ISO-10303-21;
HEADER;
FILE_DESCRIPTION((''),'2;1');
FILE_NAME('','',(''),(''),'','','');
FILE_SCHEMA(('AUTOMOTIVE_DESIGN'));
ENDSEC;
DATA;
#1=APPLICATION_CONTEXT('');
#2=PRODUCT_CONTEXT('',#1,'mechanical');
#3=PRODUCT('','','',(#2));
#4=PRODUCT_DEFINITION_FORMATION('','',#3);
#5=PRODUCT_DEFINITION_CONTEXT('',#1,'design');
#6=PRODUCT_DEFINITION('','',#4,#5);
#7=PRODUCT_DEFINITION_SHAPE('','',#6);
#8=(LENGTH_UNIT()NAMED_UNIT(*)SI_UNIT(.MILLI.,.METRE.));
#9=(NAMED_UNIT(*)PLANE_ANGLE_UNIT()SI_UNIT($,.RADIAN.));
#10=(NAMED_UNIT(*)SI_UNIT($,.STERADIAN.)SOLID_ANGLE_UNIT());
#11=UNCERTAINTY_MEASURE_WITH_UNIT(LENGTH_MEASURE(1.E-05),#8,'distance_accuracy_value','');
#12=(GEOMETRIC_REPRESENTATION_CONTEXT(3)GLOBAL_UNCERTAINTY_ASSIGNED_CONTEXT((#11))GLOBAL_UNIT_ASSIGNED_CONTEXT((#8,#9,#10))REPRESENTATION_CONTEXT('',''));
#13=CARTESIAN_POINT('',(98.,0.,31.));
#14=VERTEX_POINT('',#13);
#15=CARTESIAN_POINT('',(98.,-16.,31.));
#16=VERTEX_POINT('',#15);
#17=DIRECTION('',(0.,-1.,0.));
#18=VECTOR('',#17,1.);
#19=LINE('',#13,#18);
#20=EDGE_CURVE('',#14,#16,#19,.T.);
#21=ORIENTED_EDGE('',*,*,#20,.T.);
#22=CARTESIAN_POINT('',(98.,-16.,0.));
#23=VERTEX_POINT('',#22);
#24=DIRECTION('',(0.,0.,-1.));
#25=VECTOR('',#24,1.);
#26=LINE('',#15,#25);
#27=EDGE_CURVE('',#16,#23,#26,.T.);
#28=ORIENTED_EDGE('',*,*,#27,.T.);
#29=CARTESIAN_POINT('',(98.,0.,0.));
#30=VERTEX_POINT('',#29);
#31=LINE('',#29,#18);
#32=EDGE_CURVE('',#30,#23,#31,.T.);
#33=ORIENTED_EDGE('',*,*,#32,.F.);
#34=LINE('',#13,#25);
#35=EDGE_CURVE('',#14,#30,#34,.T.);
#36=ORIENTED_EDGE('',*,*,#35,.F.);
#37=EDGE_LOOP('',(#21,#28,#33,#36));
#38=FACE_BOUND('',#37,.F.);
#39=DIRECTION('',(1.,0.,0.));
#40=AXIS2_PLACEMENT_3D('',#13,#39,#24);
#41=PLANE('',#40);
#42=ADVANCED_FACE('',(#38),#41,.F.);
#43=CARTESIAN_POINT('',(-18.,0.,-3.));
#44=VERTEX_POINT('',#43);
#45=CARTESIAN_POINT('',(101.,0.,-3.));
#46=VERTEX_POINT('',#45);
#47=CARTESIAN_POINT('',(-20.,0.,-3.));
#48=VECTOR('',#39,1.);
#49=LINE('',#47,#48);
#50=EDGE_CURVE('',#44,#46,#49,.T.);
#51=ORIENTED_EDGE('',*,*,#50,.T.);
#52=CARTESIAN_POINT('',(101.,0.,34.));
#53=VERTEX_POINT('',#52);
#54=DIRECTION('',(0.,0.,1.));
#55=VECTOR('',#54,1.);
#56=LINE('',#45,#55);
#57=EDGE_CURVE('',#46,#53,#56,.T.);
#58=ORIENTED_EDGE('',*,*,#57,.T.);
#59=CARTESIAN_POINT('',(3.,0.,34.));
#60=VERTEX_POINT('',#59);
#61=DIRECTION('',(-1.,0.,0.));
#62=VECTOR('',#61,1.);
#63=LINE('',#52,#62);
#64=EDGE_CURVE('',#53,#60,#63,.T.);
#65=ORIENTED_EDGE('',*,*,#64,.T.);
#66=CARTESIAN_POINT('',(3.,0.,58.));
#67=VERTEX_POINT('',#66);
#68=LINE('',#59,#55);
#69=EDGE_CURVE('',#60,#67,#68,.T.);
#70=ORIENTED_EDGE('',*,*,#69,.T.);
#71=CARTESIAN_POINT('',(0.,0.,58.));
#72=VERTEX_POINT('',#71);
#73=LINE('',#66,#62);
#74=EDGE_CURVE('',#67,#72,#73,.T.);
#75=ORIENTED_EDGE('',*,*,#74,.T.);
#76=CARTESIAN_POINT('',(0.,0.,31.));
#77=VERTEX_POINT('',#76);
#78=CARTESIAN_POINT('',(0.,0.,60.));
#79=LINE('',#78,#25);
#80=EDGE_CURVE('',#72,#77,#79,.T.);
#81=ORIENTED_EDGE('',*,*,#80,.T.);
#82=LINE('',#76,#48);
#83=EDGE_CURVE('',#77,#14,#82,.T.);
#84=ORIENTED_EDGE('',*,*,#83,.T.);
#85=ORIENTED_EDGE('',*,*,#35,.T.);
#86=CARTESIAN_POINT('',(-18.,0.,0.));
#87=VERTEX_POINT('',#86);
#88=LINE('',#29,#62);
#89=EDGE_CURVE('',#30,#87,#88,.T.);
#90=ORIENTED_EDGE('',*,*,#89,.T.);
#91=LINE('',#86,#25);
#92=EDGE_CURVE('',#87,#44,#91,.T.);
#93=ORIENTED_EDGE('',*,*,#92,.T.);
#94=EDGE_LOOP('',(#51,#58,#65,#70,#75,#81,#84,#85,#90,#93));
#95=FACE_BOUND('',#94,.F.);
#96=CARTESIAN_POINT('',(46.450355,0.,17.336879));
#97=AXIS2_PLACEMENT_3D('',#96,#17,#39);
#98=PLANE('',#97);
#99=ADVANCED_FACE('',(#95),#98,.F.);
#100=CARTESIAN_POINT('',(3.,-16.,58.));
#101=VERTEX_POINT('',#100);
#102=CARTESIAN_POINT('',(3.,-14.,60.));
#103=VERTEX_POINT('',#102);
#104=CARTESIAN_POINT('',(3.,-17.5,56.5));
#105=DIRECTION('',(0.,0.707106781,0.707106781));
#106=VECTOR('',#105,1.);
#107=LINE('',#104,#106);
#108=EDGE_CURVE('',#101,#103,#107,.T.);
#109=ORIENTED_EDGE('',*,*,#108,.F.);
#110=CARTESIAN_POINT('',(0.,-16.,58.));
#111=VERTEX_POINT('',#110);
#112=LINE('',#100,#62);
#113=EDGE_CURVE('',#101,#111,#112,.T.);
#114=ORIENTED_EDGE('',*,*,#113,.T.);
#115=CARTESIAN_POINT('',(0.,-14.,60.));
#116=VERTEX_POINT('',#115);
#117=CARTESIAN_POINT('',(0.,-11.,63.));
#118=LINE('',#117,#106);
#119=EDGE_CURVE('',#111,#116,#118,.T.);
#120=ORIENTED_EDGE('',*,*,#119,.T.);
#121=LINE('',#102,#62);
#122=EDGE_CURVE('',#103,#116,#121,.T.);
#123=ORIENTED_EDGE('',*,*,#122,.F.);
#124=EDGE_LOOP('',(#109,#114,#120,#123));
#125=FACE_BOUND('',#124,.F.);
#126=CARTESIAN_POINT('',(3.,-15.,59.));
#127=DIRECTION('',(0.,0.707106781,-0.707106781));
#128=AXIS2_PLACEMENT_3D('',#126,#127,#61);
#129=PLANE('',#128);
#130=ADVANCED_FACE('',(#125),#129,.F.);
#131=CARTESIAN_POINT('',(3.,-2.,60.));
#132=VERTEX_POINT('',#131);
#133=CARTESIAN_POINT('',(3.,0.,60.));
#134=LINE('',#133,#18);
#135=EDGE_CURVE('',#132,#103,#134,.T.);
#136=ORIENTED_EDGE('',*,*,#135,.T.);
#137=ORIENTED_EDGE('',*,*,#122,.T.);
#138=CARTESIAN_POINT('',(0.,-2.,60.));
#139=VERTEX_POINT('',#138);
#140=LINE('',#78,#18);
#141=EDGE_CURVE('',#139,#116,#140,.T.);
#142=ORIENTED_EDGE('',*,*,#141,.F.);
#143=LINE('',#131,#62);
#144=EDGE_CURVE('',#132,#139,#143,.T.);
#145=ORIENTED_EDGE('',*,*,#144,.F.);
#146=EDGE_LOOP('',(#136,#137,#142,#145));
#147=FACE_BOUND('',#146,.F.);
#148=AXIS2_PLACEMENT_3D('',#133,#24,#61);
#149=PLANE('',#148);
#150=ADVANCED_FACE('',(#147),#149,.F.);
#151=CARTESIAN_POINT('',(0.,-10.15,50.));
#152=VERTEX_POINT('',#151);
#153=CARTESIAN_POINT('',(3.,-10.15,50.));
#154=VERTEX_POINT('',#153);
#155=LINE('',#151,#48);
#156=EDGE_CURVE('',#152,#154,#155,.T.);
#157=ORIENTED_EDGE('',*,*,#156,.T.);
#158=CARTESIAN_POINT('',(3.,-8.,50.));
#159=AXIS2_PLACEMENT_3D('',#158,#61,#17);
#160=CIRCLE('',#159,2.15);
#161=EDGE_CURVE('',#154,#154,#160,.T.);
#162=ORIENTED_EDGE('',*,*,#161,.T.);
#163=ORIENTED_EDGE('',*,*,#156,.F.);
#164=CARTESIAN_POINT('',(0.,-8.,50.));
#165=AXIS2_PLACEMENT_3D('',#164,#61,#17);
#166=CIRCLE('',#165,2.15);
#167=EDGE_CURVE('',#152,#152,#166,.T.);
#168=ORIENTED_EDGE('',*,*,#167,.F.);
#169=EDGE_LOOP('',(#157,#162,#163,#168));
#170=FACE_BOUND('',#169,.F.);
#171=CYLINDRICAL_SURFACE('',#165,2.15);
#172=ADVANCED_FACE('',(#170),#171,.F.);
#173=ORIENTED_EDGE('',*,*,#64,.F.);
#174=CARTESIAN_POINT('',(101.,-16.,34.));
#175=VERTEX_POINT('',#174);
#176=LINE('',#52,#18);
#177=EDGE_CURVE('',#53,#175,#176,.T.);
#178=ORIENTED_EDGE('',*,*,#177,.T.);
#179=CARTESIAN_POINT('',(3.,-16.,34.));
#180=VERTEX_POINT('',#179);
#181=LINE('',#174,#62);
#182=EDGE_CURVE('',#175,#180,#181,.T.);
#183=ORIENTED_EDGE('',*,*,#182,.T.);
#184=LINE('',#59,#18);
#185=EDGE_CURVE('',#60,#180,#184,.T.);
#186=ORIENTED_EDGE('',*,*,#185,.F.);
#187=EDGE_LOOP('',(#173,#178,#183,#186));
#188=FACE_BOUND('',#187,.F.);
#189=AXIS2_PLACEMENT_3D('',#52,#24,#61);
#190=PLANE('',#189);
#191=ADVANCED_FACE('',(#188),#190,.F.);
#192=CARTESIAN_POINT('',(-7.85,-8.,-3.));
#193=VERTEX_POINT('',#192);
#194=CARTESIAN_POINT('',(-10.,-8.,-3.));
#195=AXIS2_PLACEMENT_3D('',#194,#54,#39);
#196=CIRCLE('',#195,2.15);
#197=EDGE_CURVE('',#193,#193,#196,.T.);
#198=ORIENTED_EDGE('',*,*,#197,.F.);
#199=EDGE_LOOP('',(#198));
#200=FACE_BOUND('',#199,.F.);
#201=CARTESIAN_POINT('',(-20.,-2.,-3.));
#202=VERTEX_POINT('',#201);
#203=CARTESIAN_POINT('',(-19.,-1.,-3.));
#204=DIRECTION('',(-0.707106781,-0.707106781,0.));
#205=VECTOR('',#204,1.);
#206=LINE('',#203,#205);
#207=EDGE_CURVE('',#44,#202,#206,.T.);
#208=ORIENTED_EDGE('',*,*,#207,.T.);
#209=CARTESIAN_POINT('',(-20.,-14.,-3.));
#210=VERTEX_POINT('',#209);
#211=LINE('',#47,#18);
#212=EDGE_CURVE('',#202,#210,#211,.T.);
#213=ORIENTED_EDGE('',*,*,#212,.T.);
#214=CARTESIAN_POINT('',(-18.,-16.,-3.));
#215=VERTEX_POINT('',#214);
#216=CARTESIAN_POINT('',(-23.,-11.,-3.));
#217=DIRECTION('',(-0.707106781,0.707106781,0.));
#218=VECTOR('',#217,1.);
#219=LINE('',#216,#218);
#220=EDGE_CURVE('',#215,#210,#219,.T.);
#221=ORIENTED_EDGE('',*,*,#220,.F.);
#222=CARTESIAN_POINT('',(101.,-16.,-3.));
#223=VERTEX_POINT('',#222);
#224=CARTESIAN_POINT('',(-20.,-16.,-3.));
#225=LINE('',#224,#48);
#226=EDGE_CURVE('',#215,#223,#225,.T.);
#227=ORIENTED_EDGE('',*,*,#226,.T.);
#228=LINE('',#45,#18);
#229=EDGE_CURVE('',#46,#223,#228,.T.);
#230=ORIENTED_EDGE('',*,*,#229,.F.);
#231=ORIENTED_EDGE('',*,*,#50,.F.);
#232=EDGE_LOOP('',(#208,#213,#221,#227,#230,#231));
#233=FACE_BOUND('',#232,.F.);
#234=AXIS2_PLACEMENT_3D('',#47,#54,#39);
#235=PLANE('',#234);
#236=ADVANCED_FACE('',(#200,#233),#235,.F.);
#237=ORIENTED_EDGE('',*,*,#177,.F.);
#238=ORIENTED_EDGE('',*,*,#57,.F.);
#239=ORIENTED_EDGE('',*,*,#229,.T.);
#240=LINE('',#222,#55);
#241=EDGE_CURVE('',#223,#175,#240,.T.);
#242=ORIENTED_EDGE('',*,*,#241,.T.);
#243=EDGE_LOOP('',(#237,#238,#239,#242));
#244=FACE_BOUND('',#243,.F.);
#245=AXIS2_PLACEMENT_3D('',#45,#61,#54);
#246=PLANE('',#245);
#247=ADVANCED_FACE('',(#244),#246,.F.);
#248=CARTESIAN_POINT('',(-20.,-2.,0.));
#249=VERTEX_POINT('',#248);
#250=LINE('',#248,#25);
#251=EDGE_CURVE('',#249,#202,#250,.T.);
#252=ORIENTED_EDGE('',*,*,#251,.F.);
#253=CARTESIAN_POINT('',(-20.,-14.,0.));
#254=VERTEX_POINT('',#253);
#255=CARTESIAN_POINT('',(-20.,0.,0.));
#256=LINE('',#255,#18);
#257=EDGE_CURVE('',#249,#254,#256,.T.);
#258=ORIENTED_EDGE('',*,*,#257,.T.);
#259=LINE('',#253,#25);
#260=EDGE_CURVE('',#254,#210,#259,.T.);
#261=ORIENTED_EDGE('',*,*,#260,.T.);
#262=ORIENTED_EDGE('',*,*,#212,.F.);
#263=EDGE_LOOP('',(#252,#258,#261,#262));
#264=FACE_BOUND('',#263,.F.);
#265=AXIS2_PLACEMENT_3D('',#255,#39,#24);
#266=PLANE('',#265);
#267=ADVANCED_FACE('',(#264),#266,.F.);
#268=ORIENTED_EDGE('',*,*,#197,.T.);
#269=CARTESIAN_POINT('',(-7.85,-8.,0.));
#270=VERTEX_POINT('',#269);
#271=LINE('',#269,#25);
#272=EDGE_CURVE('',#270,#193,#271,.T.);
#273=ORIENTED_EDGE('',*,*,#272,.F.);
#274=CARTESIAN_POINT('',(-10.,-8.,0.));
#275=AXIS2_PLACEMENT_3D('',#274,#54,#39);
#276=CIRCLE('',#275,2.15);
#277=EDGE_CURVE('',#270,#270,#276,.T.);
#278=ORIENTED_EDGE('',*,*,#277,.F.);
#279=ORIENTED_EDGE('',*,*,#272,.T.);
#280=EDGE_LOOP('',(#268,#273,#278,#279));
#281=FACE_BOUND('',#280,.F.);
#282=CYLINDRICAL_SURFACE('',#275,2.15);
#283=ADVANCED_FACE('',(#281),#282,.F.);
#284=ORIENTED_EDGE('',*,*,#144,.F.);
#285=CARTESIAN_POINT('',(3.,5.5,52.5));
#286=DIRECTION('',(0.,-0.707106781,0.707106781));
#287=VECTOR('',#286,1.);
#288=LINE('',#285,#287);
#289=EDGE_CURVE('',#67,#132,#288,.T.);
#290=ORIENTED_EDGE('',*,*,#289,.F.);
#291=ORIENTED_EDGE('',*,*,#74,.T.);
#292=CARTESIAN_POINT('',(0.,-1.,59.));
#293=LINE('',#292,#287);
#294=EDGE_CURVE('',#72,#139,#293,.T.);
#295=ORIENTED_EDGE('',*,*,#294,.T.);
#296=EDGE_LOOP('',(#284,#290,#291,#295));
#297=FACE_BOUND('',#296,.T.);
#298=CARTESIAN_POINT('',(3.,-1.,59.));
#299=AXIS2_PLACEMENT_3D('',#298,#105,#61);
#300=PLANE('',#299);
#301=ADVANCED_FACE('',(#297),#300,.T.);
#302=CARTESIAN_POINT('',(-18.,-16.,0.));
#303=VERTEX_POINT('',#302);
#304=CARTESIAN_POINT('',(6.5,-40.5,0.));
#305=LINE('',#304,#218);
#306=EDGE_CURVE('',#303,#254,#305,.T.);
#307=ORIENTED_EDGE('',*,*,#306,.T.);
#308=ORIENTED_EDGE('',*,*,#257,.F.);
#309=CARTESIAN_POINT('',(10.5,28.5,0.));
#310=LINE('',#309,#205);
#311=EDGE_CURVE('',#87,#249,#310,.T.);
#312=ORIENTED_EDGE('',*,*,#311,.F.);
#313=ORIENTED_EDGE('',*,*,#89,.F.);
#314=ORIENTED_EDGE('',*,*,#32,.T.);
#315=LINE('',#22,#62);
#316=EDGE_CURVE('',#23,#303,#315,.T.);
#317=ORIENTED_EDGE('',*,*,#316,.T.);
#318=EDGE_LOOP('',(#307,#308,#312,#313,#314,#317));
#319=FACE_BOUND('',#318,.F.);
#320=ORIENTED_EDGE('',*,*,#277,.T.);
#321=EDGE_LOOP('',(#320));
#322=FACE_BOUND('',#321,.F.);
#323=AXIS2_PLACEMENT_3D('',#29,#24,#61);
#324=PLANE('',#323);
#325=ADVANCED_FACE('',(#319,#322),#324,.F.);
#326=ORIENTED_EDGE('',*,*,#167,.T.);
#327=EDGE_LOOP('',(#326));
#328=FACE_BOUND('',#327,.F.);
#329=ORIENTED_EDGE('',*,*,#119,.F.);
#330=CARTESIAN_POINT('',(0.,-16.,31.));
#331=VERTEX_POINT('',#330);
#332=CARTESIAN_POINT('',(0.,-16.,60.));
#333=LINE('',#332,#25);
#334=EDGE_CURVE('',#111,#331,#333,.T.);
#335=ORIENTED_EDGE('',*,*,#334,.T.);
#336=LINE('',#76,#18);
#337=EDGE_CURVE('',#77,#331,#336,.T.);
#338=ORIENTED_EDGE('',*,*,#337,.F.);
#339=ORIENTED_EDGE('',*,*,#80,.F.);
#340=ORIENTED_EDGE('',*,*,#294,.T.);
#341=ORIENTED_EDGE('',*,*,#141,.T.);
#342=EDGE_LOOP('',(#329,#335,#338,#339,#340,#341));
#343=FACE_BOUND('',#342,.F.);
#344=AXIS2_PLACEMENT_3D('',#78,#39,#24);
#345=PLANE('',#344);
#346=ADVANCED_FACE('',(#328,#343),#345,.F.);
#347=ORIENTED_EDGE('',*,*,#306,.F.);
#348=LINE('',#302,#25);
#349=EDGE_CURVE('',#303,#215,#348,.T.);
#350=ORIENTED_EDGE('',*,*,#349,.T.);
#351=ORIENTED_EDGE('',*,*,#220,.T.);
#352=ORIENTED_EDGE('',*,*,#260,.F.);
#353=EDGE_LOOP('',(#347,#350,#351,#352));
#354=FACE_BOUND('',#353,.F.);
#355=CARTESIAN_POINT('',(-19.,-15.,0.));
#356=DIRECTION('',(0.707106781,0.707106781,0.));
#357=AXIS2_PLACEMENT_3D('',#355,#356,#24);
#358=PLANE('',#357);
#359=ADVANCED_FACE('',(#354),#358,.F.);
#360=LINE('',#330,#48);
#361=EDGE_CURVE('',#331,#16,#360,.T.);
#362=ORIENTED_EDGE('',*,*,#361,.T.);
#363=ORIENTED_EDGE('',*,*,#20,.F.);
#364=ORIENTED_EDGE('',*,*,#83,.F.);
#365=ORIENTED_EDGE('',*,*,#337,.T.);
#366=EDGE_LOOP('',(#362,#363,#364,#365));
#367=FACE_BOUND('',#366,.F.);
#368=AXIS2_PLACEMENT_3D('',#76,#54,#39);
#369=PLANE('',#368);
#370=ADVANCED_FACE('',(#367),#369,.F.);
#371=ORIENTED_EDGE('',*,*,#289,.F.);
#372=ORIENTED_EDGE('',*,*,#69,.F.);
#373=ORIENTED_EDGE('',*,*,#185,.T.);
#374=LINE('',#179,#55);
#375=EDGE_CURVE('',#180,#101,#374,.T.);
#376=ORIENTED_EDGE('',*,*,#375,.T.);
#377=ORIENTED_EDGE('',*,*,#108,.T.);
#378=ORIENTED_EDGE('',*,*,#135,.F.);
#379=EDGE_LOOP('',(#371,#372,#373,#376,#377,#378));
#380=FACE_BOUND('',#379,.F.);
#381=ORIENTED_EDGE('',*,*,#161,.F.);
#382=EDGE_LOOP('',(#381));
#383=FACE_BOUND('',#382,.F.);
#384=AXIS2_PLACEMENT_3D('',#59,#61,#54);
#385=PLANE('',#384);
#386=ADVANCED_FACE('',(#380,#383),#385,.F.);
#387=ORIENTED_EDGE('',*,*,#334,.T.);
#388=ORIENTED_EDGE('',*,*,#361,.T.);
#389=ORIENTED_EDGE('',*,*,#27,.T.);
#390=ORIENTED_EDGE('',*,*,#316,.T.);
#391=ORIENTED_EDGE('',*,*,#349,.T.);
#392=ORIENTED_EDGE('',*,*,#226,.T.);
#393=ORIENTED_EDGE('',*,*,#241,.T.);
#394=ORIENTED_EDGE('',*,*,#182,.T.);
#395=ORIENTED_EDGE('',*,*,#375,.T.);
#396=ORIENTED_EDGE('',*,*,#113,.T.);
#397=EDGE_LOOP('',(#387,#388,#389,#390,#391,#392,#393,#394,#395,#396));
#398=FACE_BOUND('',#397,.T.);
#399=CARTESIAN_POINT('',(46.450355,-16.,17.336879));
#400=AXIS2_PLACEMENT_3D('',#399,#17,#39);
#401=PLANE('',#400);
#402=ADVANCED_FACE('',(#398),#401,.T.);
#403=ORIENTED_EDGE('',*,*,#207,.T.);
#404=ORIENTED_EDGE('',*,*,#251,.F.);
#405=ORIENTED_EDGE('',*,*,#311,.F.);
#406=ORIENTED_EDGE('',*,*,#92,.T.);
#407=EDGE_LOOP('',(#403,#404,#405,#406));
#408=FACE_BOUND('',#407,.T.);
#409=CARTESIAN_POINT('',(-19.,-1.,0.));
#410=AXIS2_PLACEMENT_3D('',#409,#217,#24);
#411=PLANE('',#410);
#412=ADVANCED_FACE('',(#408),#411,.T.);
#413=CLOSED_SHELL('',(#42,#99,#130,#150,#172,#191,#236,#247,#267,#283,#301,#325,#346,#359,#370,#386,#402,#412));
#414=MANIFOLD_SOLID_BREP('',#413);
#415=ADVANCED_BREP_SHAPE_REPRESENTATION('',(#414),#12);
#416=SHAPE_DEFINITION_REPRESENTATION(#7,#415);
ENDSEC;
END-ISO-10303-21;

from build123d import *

# Parameters (mm, degrees)
F1_DEPTH = 16
F2_R     = 2.15
F3_DEPTH = 25
F4_R     = 2.15
F5_DEPTH = 25
F6_SIZE  = 2


with BuildPart() as f1:
    # F0 (on Front) → F1 (new body)
    with BuildSketch(Plane.XZ):
        Polygon((98, 0), (0, 0), (-20, 0), (-20, -3), (0, -3), (101, -3), (101, 34), (3, 34), (3, 60), (0, 60), (0, 31), (98, 31), align=None)
    extrude(amount=F1_DEPTH)

    # F2 (on face) → F3 (cut)
    with BuildSketch(Plane.XY):
        with Locations((-10, -8)):
            Circle(F2_R)
    extrude(amount=-F3_DEPTH, mode=Mode.SUBTRACT)

    # F4 (on face) → F5 (cut)
    with BuildSketch(Plane(origin=(0, 0, 0), x_dir=(0, -1, 0), z_dir=(-1, 0, 0))):
        with Locations((8, 50)):
            Circle(F4_R)
    extrude(amount=-F5_DEPTH, mode=Mode.SUBTRACT)

    # F6
    f6_edges = [f1.edges().sort_by_distance(p)[0] for p in [
        (1.5, -16, 60),
        (1.5, 0, 60),
        (-20, -16, -1.5),
        (-20, 0, -1.5),
    ]]
    chamfer(f6_edges, length=F6_SIZE)


solid = f1.part
